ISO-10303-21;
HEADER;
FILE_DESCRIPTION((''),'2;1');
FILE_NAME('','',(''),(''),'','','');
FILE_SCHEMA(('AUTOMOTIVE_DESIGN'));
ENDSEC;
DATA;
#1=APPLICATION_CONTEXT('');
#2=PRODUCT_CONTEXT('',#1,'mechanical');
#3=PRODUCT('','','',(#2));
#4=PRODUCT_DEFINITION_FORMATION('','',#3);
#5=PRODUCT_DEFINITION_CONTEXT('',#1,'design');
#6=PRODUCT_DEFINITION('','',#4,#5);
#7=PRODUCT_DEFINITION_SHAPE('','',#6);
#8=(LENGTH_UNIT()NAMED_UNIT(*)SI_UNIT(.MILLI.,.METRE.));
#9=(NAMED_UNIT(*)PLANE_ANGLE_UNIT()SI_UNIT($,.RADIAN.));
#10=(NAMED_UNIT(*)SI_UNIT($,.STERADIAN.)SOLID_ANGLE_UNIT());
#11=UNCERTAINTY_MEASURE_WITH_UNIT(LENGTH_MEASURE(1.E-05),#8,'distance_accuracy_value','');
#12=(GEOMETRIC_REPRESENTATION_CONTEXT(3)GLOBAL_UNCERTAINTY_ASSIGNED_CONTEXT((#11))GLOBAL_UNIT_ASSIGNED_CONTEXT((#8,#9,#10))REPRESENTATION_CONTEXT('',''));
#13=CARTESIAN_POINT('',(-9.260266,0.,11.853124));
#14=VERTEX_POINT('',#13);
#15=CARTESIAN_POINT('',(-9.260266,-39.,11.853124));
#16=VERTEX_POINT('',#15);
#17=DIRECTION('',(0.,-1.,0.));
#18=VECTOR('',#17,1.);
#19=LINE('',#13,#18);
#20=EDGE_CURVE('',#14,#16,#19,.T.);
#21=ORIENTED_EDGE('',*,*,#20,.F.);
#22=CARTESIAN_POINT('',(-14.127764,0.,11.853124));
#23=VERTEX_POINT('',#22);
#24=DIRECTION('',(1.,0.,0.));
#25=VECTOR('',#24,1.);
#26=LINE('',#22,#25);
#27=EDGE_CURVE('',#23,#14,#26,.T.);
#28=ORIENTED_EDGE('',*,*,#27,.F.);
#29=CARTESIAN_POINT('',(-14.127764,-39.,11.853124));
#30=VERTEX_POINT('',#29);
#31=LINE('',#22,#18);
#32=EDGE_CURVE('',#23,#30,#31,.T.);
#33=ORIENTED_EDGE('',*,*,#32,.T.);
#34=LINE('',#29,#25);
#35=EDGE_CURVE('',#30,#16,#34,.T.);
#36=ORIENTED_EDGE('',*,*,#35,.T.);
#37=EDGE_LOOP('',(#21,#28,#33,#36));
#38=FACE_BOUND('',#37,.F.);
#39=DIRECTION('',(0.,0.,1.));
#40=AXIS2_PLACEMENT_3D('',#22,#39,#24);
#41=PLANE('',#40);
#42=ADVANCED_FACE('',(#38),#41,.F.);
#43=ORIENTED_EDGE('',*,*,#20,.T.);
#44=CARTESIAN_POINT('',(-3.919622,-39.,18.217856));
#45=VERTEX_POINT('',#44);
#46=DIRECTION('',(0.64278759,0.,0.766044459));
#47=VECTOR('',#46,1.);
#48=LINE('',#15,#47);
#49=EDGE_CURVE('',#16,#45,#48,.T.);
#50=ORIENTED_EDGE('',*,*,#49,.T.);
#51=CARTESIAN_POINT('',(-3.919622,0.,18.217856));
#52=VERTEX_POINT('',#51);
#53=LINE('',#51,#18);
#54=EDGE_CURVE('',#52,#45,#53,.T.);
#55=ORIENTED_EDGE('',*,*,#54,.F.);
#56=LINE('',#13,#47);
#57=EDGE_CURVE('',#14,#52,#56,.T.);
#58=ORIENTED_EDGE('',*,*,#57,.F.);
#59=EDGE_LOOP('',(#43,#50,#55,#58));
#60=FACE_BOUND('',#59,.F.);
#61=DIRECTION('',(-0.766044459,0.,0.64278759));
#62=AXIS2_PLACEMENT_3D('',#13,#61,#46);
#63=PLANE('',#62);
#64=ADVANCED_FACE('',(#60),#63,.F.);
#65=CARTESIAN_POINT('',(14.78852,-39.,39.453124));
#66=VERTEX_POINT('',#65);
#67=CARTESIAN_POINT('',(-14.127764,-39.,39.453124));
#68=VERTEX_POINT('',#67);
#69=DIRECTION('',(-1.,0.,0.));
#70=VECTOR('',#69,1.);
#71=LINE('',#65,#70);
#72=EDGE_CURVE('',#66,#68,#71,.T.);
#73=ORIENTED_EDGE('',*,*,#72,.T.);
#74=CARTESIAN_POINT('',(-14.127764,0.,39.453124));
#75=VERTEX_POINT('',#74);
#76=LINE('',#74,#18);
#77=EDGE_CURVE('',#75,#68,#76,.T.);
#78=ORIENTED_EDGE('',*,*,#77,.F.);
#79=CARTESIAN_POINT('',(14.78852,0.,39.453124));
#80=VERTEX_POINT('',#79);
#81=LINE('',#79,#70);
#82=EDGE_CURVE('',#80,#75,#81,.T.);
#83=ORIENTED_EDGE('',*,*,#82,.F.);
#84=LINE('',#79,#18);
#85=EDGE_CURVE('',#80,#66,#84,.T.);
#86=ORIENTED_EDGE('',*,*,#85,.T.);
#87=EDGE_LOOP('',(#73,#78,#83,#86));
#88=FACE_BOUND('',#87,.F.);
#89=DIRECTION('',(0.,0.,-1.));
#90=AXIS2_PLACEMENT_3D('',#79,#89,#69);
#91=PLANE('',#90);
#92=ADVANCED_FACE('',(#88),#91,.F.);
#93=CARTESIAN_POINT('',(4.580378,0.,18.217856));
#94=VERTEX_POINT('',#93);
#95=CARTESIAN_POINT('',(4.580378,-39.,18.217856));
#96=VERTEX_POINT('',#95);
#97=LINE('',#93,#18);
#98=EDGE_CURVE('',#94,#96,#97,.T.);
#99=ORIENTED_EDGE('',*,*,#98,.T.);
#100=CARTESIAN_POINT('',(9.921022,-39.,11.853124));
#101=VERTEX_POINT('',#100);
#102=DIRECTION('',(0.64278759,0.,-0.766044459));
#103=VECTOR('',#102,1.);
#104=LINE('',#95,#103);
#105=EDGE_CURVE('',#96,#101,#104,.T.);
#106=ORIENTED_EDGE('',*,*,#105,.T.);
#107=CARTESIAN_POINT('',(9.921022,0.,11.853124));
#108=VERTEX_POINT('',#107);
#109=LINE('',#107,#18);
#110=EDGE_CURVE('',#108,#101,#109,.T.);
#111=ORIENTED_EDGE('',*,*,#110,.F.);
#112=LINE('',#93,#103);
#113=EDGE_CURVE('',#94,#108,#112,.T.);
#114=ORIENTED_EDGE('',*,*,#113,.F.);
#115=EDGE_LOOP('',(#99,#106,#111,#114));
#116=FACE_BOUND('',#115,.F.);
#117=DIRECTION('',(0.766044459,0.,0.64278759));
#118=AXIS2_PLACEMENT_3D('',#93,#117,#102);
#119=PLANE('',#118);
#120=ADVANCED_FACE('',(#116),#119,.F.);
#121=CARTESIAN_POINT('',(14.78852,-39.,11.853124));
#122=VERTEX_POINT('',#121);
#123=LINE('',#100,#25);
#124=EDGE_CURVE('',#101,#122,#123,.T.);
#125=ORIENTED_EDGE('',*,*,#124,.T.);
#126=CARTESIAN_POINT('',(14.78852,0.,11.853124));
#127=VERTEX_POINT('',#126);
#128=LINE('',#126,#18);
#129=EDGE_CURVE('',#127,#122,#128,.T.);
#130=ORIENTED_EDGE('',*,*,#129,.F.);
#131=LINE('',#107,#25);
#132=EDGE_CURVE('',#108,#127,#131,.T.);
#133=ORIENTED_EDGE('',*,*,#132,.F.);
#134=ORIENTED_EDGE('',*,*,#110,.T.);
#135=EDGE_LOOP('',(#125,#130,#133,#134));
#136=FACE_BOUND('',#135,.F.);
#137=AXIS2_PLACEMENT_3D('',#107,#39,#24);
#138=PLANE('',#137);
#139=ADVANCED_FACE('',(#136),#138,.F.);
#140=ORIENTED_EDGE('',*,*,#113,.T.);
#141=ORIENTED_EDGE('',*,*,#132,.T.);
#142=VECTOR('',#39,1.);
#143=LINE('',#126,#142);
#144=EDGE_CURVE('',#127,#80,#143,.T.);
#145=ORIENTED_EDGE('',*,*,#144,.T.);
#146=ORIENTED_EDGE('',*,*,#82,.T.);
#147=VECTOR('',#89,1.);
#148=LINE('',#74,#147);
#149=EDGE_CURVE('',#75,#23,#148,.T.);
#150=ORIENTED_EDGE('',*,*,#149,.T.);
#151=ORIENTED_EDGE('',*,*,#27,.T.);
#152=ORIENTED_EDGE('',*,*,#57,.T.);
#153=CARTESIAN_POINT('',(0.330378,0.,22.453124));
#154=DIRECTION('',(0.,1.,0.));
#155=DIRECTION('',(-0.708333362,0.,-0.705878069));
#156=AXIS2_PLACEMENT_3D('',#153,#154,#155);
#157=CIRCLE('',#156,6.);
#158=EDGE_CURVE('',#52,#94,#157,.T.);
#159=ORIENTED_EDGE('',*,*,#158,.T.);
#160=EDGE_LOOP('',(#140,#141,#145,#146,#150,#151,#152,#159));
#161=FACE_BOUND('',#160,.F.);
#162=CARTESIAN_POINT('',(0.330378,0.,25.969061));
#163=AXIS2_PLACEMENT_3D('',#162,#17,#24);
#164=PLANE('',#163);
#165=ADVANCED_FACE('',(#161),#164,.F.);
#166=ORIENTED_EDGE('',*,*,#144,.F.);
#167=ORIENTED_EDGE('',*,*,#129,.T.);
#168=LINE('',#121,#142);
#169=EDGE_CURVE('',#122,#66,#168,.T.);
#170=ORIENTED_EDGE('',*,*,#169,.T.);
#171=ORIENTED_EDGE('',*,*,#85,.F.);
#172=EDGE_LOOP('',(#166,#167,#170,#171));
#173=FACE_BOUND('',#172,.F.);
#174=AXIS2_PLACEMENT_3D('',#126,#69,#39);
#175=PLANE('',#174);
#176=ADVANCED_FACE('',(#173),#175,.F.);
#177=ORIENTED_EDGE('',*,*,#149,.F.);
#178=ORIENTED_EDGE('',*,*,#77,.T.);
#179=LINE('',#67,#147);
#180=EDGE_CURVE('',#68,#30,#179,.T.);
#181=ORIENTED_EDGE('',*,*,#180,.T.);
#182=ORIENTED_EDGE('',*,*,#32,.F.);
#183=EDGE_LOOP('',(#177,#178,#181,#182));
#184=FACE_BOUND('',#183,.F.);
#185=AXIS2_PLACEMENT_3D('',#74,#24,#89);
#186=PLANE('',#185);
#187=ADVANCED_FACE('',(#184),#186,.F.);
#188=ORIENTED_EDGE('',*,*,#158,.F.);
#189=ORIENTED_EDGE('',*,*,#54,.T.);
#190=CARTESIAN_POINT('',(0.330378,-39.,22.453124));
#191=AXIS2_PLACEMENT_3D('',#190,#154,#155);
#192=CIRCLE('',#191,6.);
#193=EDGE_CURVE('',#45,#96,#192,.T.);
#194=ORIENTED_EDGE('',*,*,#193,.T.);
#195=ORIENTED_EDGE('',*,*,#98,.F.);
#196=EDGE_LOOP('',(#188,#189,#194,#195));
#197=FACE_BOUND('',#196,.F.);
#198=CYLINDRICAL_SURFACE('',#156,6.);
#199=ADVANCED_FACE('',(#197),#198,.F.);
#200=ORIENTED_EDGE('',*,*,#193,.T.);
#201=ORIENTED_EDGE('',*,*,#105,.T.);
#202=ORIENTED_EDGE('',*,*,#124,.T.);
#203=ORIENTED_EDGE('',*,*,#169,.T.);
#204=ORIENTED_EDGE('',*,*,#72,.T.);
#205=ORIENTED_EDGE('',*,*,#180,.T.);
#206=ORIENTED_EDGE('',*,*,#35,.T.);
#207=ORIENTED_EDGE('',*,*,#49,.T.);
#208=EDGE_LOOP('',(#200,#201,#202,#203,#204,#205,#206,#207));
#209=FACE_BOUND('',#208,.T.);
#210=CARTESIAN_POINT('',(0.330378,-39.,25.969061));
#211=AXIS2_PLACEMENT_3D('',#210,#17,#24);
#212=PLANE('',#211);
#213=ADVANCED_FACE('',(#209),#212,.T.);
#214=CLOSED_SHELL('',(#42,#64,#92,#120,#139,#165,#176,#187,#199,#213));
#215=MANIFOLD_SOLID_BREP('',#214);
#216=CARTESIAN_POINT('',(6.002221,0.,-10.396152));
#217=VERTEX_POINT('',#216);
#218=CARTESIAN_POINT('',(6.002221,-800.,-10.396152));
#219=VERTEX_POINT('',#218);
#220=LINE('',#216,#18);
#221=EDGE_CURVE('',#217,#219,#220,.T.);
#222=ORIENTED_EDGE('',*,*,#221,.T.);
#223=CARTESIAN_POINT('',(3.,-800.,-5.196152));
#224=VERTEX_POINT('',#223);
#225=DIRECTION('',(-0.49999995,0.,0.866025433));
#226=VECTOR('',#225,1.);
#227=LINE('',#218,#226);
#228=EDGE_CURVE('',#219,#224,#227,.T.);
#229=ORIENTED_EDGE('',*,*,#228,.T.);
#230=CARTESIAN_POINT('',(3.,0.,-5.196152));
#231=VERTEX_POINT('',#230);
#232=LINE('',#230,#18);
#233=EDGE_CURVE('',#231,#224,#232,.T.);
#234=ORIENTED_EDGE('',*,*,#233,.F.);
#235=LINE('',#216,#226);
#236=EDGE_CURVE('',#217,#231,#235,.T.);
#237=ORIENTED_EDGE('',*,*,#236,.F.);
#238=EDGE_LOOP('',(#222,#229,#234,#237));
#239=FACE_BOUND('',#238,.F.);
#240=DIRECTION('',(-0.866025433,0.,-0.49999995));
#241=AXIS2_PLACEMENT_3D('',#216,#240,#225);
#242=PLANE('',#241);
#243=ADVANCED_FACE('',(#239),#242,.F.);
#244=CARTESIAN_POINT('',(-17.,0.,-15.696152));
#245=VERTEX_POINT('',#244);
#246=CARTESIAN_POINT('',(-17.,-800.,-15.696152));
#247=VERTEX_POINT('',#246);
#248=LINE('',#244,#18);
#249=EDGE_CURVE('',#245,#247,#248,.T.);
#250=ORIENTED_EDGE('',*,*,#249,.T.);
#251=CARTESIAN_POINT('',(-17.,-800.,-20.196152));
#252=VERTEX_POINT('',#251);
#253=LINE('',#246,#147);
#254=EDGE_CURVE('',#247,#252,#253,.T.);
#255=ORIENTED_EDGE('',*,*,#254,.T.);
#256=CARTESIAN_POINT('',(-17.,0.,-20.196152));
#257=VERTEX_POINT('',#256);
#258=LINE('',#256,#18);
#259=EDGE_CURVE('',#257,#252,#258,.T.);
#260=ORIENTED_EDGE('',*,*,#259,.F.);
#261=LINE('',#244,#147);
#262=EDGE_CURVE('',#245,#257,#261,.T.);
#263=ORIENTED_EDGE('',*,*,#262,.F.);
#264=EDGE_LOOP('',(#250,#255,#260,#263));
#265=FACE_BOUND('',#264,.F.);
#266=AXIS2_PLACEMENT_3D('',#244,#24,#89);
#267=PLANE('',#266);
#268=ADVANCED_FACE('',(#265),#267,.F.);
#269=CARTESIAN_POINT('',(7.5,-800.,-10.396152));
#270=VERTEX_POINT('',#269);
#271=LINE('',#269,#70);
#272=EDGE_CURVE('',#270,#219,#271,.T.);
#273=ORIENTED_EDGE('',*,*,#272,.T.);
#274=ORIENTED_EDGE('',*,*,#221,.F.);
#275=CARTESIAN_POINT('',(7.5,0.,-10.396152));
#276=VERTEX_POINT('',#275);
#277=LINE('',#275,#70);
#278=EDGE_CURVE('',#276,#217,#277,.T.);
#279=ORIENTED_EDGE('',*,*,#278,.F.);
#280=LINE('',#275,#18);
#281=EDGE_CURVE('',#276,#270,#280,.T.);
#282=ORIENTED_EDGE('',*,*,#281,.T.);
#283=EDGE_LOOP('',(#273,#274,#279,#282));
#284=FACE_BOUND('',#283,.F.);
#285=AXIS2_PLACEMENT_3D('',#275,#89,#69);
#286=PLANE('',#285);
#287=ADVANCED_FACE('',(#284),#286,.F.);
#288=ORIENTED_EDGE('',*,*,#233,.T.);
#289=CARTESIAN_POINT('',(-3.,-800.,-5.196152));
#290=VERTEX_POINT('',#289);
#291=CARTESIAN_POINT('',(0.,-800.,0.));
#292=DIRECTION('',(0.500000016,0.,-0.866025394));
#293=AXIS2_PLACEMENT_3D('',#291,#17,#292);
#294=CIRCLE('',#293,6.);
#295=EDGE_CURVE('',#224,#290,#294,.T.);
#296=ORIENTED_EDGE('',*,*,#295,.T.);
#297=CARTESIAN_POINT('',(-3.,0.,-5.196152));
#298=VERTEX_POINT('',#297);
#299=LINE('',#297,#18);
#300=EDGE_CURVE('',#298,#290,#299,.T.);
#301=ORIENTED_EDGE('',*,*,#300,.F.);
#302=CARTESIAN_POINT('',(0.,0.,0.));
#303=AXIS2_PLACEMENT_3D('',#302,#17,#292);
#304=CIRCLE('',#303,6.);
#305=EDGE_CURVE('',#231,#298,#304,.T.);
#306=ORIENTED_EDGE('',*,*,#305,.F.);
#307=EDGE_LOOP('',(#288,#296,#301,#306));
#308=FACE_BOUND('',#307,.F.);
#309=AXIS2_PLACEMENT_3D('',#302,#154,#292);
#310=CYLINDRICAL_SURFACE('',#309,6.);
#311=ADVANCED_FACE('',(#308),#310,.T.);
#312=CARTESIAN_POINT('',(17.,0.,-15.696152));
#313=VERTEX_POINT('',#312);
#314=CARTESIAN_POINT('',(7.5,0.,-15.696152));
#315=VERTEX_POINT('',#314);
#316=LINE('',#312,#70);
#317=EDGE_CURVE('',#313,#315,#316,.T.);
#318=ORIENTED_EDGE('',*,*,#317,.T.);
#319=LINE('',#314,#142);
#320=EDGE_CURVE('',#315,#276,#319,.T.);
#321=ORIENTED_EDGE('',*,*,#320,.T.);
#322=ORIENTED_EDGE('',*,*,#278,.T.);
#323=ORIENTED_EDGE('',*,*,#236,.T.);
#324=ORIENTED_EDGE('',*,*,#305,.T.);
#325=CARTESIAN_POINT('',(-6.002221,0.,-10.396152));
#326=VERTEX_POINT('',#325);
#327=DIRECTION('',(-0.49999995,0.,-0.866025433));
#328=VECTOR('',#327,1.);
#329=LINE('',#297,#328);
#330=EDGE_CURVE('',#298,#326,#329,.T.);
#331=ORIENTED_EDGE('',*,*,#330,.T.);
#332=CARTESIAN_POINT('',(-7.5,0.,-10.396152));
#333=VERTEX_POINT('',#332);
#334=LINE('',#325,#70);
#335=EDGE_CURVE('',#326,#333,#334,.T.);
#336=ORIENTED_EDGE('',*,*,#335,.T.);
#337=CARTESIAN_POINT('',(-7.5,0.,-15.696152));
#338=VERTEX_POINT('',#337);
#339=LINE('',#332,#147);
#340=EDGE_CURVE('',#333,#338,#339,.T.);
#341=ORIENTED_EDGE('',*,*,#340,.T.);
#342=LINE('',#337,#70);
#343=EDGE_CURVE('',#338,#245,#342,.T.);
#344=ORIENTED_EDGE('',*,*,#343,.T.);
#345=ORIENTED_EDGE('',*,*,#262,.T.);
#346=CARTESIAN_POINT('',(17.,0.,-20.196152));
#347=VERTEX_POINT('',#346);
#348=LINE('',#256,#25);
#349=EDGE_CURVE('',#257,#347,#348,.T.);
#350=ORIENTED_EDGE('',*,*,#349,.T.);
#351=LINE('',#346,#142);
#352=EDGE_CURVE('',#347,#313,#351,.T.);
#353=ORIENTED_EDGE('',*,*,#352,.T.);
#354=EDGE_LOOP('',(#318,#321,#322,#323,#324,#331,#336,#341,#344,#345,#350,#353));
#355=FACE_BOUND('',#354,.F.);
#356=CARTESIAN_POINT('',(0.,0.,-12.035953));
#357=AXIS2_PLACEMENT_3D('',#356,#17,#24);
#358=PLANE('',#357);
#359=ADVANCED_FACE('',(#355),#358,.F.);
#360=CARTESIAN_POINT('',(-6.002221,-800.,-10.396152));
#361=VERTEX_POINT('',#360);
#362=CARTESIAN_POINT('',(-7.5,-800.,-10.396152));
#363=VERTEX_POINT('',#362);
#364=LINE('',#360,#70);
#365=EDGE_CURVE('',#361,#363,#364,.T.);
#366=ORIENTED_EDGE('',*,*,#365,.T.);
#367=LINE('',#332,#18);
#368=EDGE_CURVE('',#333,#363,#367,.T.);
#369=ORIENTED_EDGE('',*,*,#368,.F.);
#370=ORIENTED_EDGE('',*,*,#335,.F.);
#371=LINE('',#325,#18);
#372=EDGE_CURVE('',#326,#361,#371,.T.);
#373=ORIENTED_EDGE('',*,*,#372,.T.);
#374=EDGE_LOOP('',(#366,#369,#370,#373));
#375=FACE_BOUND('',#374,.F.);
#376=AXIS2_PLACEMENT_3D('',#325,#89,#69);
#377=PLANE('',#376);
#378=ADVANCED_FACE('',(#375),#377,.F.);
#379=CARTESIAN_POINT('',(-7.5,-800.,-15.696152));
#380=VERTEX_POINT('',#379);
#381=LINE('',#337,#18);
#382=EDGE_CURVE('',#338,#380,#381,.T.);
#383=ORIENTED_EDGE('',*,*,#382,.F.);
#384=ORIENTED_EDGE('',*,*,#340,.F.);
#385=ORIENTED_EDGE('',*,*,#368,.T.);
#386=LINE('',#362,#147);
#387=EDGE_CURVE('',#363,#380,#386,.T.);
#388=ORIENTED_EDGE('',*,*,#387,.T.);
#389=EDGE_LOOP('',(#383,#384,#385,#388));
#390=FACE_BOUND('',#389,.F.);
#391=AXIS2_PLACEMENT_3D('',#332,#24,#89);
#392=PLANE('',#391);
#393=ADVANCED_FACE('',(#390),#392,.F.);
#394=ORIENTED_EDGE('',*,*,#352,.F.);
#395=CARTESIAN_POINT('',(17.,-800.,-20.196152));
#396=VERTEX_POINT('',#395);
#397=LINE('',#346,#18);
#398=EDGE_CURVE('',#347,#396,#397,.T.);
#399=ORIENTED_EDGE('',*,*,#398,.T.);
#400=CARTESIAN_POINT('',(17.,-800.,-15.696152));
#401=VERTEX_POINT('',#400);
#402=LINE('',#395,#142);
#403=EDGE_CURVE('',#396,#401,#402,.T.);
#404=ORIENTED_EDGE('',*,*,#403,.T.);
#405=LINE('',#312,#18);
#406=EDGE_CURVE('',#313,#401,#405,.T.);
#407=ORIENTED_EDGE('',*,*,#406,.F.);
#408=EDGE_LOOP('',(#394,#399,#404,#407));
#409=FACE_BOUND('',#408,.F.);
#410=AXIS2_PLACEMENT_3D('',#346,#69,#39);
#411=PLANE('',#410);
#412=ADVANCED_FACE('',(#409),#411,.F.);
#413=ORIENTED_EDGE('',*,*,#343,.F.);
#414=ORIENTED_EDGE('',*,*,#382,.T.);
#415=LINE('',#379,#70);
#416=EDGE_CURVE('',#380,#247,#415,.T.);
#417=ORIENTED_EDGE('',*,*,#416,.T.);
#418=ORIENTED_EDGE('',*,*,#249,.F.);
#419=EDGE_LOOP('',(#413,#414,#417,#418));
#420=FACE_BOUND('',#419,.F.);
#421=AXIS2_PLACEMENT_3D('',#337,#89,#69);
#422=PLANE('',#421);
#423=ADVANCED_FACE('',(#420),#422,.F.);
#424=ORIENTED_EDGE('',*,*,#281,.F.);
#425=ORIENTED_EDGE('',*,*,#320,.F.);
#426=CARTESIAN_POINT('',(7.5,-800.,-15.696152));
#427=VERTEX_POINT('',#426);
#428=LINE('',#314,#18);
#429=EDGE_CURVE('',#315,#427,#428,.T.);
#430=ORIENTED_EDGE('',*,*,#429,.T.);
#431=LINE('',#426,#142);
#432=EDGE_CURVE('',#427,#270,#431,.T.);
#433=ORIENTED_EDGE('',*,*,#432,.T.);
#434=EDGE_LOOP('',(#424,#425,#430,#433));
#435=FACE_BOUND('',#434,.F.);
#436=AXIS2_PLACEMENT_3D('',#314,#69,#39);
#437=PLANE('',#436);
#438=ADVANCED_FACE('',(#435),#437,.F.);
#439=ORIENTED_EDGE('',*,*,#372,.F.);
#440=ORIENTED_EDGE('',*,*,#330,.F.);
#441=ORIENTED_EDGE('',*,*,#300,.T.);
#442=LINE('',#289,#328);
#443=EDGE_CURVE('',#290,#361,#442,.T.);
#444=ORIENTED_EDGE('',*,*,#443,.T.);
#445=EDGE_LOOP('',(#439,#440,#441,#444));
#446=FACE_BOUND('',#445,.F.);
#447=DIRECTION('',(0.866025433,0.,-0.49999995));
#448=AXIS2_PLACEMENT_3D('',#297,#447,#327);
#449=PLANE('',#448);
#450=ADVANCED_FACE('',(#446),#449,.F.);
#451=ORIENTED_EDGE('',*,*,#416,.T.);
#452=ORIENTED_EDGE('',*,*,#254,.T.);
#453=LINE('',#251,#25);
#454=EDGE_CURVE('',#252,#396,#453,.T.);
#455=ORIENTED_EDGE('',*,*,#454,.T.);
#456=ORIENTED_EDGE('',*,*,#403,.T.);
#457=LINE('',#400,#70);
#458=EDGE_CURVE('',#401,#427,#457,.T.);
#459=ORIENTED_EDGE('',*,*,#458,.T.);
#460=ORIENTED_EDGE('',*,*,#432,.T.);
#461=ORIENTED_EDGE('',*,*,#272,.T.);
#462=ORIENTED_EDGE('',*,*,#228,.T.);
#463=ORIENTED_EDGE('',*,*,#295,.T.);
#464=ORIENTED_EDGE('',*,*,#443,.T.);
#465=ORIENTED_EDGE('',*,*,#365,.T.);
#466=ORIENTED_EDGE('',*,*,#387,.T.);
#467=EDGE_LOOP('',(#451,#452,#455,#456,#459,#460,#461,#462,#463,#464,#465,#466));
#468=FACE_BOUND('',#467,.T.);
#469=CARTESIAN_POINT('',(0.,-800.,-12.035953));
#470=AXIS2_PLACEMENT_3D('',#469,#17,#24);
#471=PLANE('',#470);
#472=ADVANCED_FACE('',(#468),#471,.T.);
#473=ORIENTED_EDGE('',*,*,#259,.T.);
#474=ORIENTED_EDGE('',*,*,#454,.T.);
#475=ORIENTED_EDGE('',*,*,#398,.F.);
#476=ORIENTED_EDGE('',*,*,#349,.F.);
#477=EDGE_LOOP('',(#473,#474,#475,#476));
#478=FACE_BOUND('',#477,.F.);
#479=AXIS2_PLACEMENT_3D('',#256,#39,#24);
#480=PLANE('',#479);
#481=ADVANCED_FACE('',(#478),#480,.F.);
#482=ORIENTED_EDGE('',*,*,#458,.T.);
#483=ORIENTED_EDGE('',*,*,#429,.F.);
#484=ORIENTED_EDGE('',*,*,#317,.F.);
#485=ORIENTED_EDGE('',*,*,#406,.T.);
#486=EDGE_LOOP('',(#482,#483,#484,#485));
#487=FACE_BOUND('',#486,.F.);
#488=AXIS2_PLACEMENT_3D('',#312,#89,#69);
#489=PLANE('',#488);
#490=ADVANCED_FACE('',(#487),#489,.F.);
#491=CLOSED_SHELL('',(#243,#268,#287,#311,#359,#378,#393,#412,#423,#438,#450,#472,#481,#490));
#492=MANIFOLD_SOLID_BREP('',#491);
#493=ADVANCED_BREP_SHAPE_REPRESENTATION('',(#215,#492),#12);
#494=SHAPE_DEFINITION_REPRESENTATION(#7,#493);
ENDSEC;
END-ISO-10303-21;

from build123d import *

# Parameters (mm, degrees)
F1_DEPTH = 800
F2_DEPTH = 39


with BuildPart() as f1:
    # F0 (on Front) → F1 (new body)
    with BuildSketch(Plane.XZ):
        with BuildLine():
            ThreePointArc((3, -5.196152), (0, 6), (-3, -5.196152))
            Line((-3, -5.196152), (-6.002221, -10.396152))
            Line((-6.002221, -10.396152), (-7.5, -10.396152))
            Line((-7.5, -10.396152), (-7.5, -15.696152))
            Line((-7.5, -15.696152), (-17, -15.696152))
            Line((-17, -15.696152), (-17, -20.196152))
            Line((-17, -20.196152), (17, -20.196152))
            Line((17, -20.196152), (17, -15.696152))
            Line((17, -15.696152), (7.5, -15.696152))
            Line((7.5, -15.696152), (7.5, -10.396152))
            Line((7.5, -10.396152), (6.002221, -10.396152))
            Line((6.002221, -10.396152), (3, -5.196152))
        make_face()
    extrude(amount=F1_DEPTH)


with BuildPart() as f2:
    # F0 (on Front) → F2 (new body)
    with BuildSketch(Plane.XZ):
        with BuildLine():
            Line((14.78852, 39.453124), (-14.127764, 39.453124))
            Line((-14.127764, 39.453124), (-14.127764, 11.853124))
            Line((-14.127764, 11.853124), (-9.260266, 11.853124))
            Line((-9.260266, 11.853124), (-3.919622, 18.217856))
            ThreePointArc((-3.919622, 18.217856), (0.330378, 28.453124), (4.580378, 18.217856))
            Line((4.580378, 18.217856), (9.921022, 11.853124))
            Line((9.921022, 11.853124), (14.78852, 11.853124))
            Line((14.78852, 11.853124), (14.78852, 39.453124))
        make_face()
    extrude(amount=F2_DEPTH)


solid = Compound([f1.part, f2.part])
